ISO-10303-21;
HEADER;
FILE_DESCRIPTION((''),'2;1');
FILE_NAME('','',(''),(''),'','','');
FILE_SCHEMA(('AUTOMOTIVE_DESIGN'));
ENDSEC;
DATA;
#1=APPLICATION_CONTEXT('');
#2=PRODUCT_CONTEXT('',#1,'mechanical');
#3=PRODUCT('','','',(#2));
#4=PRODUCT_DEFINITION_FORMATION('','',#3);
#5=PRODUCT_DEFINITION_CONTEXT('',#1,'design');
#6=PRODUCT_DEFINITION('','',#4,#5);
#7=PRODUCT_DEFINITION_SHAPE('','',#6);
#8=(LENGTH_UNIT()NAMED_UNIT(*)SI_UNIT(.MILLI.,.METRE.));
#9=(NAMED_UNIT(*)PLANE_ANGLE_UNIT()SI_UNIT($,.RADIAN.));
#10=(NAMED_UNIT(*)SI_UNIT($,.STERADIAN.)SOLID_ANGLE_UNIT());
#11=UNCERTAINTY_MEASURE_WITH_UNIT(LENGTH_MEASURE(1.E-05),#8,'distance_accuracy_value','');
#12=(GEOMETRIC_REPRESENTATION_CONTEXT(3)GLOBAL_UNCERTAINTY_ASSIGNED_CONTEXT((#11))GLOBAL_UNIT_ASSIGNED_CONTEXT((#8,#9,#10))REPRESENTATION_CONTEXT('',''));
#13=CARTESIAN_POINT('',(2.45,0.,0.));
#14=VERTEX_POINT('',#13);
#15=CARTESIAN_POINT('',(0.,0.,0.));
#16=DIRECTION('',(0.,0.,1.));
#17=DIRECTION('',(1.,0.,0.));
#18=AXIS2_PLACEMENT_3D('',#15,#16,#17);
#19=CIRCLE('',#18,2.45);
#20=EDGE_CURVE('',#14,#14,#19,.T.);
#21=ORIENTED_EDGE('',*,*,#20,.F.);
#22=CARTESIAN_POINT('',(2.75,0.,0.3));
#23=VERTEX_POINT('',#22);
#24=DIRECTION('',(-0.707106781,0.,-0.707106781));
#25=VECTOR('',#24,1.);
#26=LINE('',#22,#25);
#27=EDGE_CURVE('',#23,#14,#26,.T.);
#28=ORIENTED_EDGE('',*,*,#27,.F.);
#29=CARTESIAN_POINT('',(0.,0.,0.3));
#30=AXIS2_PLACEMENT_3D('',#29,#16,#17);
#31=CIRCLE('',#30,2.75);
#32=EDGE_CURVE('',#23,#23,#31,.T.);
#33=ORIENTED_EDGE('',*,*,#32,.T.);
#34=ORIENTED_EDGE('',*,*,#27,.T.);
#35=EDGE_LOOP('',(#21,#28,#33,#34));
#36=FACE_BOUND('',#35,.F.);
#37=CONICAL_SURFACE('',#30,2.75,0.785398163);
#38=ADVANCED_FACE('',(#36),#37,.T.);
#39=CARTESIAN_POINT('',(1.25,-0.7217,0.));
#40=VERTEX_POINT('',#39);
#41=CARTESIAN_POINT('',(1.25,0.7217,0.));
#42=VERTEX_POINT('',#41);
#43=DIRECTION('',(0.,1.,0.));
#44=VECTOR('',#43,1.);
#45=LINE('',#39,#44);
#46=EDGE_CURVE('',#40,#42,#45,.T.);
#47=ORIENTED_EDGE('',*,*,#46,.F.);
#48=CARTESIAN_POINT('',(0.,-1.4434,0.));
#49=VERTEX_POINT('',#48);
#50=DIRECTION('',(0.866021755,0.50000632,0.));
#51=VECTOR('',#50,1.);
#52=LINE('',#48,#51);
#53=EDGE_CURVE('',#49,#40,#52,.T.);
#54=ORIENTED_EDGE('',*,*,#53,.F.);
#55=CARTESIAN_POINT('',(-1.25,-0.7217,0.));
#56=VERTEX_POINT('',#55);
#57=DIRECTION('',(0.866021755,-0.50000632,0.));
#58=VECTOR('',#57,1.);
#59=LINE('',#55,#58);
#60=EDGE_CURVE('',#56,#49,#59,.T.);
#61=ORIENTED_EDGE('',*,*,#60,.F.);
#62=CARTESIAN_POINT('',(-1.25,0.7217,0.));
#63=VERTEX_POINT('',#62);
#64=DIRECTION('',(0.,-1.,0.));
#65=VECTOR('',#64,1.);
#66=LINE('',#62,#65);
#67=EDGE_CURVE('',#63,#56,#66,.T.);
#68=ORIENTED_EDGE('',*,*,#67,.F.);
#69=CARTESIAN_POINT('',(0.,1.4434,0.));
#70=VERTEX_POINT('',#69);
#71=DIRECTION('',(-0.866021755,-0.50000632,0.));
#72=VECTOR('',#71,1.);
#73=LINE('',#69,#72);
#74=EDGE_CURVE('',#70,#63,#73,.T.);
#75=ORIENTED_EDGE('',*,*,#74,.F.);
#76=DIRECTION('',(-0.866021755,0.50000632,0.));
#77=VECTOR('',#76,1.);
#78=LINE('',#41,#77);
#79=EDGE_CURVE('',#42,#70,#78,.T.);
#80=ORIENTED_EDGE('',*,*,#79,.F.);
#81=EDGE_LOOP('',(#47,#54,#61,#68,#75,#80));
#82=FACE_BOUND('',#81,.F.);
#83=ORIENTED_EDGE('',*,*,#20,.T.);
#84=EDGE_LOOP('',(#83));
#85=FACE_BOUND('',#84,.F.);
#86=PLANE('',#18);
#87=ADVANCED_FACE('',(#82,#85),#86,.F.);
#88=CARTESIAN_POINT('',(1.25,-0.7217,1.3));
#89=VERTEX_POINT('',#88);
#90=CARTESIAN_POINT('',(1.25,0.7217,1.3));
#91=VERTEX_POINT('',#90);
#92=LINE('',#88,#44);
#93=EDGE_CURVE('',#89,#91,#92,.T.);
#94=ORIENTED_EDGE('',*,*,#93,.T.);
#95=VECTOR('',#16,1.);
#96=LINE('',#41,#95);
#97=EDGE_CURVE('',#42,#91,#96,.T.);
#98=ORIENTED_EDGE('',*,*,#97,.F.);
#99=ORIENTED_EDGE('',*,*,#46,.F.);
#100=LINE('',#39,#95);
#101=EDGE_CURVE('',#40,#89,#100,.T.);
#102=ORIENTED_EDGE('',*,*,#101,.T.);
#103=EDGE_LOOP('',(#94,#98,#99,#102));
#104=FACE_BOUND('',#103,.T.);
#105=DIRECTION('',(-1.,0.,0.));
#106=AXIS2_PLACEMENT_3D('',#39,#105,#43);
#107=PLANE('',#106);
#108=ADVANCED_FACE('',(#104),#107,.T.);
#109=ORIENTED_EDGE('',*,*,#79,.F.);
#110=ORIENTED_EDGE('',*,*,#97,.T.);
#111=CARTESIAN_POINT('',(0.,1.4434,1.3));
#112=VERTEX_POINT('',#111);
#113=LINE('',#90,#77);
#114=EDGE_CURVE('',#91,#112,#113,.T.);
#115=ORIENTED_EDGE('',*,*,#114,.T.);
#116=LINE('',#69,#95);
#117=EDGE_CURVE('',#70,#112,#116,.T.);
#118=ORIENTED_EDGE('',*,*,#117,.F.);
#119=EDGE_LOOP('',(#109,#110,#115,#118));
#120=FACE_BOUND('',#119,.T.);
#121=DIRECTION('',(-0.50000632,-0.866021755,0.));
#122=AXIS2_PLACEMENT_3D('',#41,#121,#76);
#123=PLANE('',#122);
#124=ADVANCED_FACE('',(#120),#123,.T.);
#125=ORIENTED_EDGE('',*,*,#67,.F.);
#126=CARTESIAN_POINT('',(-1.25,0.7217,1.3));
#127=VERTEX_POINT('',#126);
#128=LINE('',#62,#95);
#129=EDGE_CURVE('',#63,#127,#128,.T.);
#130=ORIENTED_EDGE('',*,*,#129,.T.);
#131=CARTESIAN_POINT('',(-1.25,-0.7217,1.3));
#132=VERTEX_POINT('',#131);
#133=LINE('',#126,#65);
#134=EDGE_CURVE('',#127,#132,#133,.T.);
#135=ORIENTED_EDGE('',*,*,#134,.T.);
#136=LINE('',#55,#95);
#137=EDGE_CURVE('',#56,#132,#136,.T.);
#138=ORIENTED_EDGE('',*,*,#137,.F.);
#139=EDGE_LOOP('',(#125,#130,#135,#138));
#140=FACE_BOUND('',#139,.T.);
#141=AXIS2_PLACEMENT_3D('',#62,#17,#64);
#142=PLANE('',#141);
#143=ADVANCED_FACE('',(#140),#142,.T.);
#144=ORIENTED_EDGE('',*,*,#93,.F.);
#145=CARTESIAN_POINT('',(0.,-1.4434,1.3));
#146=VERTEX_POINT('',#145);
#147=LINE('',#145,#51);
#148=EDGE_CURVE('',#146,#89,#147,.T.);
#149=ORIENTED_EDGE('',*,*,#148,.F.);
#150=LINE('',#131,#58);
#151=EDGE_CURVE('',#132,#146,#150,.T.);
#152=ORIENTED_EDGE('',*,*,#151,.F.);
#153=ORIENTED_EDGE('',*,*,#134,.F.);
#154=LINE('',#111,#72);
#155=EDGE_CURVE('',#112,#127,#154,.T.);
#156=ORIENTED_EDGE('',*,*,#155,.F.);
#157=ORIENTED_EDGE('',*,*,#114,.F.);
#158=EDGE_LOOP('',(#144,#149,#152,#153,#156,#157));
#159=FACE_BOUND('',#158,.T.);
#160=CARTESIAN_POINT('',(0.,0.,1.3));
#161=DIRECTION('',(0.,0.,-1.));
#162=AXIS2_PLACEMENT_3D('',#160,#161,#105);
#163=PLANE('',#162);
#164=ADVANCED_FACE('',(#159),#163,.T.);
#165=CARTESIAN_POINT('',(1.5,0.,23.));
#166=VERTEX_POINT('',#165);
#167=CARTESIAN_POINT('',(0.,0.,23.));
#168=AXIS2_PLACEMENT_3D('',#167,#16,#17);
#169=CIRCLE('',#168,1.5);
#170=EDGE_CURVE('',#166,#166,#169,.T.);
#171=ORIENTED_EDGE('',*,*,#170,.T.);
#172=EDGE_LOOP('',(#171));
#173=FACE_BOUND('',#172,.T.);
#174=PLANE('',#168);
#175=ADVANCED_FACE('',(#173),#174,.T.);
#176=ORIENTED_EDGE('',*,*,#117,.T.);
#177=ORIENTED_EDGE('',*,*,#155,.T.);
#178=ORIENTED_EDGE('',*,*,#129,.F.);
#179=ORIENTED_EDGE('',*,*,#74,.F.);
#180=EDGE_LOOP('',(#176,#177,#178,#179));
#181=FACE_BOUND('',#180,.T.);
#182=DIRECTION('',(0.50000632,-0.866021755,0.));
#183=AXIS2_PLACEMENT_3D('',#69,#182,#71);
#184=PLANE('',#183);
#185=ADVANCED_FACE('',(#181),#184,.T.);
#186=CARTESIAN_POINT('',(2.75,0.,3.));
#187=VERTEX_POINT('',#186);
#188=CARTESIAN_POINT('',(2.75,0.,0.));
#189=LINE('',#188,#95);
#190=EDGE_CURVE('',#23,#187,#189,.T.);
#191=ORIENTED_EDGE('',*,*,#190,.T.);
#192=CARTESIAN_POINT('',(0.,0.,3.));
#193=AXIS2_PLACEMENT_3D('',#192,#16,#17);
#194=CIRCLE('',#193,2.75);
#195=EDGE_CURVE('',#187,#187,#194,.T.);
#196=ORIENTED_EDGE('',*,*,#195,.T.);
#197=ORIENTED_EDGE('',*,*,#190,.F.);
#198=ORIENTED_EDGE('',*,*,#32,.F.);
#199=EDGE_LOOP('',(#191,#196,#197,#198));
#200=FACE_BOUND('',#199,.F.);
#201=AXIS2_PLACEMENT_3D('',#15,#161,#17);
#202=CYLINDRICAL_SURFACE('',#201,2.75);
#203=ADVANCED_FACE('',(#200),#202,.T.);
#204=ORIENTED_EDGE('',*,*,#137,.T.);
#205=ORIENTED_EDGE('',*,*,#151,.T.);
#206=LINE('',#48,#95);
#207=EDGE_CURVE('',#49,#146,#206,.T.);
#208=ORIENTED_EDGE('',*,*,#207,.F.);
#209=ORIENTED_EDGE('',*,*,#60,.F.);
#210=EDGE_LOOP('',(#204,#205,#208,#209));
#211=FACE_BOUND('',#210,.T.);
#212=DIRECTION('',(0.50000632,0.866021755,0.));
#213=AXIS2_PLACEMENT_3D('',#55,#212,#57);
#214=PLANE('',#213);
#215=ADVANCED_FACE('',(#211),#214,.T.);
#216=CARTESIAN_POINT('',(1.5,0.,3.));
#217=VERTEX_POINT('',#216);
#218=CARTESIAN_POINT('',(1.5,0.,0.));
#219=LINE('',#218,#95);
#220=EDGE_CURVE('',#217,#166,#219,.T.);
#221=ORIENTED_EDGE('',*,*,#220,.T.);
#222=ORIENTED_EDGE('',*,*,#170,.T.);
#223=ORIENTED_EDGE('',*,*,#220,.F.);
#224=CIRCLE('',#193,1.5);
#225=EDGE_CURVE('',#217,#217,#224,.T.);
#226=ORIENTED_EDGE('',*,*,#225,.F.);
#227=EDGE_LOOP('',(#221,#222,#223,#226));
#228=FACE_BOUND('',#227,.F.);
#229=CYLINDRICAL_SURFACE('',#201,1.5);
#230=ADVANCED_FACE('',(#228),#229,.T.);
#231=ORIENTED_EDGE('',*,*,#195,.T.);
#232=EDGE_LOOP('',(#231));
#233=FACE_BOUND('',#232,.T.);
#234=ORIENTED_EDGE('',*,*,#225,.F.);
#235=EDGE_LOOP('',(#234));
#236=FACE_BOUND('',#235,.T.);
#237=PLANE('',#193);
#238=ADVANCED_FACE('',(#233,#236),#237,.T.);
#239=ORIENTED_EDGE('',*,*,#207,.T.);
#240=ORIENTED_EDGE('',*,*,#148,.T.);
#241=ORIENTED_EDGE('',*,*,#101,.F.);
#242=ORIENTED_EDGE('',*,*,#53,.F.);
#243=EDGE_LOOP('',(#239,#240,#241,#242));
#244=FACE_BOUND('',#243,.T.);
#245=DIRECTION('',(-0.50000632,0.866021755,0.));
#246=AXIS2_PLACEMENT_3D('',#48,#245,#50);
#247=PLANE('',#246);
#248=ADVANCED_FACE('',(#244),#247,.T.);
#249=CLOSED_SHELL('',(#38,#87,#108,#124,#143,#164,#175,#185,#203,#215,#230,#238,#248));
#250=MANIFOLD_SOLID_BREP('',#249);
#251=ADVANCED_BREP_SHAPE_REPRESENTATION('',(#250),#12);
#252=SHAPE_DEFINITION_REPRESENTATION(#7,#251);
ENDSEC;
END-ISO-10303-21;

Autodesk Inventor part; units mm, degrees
ref_plane "YZ Plane" through (0, 0, 0) normal (1, 0, 0) x (0, 1, 0)
ref_plane "XZ Plane" through (0, 0, 0) normal (0, 1, 0) x (-1, 0, 0)
ref_plane "XY Plane" through (0, 0, 0) normal (0, 0, 1) x (1, 0, 0)
sketch "スケッチ1" plane through (0, 0, 0) normal (0, 0, 1) x (1, 0, 0)
  circle A0 centre (0, 0) radius 2.75
  circle A1 centre (0, 0) radius 1.5
  dimension "d0" = 5.5
  dimension "d1" = 3
extrude "押し出し1" add sketch "スケッチ1" along normal blind 3
extrude "押し出し2" add sketch "スケッチ1" along normal blind 23 contours A1
chamfer "面取り1" distance 0.3 angle 45 1 edges at (-2.75, 0, 0)
sketch "スケッチ2" plane through (0, 0, 0) normal (0, 0, -1) x (-1, 0, 0)
  line L0 (0, -1.4434) -> (-1.25, -0.7217)
  line L1 (-1.25, -0.7217) -> (-1.25, 0.7217)
  line L2 (-1.25, 0.7217) -> (0, 1.4434)
  line L3 (0, 1.4434) -> (1.25, 0.7217)
  line L4 (1.25, 0.7217) -> (1.25, -0.7217)
  line L5 (1.25, -0.7217) -> (0, -1.4434)
  point P0 (0, 0)
  point P1 (0, 0)
  dimension "d9" = 2.5
extrude "押し出し3" cut sketch "スケッチ2" against normal blind 1.3
thread "ねじ1" size "M3x0.5" class "6g" standard "ANSI Metric M Profile" full length
properties part number "キャップボルトM3×20" material "鋼"
